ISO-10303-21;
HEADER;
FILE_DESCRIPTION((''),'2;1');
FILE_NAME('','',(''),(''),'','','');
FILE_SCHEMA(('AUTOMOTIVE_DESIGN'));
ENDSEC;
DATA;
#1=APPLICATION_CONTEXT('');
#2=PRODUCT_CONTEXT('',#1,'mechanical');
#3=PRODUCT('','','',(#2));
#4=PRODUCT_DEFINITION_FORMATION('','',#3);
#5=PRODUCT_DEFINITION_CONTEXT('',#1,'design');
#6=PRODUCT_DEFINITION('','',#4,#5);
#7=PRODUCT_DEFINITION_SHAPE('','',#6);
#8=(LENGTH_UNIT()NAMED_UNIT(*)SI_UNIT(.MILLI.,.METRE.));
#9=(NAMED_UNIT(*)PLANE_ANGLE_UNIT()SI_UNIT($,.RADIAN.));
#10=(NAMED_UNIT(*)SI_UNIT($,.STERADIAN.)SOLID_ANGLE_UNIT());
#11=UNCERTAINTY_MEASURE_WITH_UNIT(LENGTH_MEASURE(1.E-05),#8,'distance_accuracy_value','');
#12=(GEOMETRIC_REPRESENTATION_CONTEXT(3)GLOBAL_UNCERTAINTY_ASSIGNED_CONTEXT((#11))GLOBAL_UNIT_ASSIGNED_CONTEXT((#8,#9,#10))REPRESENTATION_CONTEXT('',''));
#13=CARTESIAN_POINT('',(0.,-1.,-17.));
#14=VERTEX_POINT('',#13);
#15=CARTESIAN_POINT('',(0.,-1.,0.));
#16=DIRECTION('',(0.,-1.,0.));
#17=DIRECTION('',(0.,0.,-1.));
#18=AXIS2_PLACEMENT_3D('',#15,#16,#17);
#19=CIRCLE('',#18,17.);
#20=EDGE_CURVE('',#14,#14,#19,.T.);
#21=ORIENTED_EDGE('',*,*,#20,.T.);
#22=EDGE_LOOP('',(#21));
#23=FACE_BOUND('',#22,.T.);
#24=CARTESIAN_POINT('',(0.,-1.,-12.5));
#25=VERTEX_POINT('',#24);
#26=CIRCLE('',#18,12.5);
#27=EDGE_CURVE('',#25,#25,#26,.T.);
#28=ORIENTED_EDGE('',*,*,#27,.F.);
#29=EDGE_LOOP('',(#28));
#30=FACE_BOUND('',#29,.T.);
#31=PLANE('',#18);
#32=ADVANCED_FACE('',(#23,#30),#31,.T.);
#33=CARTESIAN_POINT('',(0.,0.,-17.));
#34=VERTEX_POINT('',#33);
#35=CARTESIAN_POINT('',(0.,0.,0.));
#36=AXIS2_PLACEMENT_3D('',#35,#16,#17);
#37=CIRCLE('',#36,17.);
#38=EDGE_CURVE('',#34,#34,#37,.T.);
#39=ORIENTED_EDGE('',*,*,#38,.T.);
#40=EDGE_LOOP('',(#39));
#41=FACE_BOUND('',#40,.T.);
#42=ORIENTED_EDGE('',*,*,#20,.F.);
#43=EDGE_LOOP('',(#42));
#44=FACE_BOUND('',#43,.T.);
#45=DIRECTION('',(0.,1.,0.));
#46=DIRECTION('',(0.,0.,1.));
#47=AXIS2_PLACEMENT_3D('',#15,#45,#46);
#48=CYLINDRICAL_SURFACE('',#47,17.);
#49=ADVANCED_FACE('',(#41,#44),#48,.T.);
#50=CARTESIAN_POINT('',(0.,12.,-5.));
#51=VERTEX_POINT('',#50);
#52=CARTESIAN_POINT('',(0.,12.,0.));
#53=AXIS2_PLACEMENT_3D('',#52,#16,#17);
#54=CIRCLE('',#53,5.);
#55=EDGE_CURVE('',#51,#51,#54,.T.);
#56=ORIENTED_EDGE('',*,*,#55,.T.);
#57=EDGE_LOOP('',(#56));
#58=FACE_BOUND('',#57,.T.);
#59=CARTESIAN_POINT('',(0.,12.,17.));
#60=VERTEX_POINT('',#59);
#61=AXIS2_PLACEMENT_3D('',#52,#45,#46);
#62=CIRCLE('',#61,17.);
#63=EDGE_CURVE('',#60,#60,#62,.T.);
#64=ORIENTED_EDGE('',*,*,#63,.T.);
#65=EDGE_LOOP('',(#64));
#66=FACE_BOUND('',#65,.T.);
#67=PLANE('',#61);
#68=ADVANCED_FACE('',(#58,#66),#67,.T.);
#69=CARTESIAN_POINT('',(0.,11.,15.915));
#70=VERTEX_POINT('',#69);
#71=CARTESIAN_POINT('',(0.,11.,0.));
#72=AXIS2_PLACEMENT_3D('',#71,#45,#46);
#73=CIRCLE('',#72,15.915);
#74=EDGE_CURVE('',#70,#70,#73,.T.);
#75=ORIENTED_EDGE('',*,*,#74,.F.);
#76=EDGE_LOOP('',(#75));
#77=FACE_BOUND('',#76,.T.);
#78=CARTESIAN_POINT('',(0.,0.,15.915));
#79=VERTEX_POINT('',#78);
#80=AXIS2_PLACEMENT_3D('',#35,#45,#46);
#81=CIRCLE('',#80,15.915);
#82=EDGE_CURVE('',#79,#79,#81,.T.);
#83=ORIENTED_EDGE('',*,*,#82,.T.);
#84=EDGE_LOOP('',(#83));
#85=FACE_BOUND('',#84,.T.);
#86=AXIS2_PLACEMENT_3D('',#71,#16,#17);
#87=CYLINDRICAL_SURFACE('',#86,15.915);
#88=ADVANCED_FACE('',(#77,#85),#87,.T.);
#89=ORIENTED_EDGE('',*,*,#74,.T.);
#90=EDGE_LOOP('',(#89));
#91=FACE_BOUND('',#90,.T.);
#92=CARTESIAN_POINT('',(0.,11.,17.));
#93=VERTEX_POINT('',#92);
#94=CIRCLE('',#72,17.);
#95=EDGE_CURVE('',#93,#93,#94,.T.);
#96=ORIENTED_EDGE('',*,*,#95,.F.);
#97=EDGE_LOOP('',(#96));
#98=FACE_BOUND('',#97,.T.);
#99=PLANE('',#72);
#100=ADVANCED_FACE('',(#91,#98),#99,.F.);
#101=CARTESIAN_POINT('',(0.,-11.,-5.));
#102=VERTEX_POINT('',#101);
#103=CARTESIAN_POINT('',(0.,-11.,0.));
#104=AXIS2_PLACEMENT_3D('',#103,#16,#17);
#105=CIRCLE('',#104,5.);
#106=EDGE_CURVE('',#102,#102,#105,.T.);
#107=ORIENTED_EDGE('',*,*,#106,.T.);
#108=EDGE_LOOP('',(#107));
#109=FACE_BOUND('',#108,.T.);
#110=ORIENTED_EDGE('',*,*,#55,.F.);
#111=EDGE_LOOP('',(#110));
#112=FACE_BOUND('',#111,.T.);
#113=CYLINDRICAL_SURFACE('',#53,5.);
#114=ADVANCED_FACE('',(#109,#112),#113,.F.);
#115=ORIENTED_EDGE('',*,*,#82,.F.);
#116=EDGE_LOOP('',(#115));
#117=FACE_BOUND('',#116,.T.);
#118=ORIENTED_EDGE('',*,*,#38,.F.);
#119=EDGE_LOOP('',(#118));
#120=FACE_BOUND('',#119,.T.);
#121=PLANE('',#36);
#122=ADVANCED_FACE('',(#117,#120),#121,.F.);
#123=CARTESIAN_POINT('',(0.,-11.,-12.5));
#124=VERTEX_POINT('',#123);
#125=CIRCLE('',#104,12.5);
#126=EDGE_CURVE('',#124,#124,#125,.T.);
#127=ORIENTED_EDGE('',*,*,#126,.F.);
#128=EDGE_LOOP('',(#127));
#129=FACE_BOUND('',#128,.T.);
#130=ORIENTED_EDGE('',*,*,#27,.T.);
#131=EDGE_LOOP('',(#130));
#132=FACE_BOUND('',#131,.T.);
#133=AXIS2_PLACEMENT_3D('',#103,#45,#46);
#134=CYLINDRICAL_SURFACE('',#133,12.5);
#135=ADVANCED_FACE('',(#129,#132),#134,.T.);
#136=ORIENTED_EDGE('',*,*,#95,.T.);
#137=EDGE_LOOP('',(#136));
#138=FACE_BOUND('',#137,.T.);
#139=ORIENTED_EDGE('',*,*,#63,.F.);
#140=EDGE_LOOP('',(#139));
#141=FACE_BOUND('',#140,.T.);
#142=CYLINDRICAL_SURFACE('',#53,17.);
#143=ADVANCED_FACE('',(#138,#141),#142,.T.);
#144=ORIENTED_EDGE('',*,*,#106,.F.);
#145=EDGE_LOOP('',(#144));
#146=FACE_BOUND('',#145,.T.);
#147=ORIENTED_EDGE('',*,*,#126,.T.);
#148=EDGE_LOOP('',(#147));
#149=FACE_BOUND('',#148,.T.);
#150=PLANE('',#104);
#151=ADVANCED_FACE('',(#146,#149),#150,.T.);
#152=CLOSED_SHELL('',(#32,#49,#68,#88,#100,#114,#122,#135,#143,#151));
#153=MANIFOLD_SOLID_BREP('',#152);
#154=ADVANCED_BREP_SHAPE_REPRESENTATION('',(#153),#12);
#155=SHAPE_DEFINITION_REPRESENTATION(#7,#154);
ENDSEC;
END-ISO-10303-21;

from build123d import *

# Parameters (mm, degrees)
SKETCH_1_R          = 15.915
EXTRUDE_1_DEPTH     = 11
SKETCH_2_R          = 17
EXTRUDE_2_DEPTH     = 1
EXTRUDE_START       = 1
SKETCH_3_R          = 17
EXTRUDE_3_DEPTH     = 1
SKETCH_4_R          = 5
CUT_EXTRUDE_1_DEPTH = 28.331300737
EXTRUDE_START_2     = 10
SKETCH_5_R          = 12.5
SKETCH_5_R_2        = 5
EXTRUDE_4_DEPTH     = 10


with BuildPart() as part:
    # 草图1 → 凸台-拉伸1 (new body)
    with BuildSketch(Plane(origin=(0, 0, 0), x_dir=(1, 0, 0), z_dir=(0, 1, 0))):
        with Locations(Location((0, 0, 0), (0, 0, 270))):
            Circle(SKETCH_1_R)
    extrude(amount=EXTRUDE_1_DEPTH)

    # 草图2 → 凸台-拉伸2 (add)
    with BuildSketch(Plane(origin=(0, 11, 0), x_dir=(1, 0, 0), z_dir=(0, 1, 0))):
        with Locations(Location((0, 0, 0), (0, 0, 270))):
            Circle(SKETCH_2_R)
    extrude(amount=EXTRUDE_2_DEPTH)

    # 草图3 → 凸台-拉伸3 (add)
    with BuildSketch(Plane.XZ.offset(EXTRUDE_START)):
        with Locations(Location((0, 0, 0), (0, 0, 90))):
            Circle(SKETCH_3_R)
    extrude(amount=-EXTRUDE_3_DEPTH)

    # 草图4 → 切除-拉伸1 (cut, through all)
    with BuildSketch(Plane.XZ.offset(1)):
        with Locations(Location((0, 0, 0), (0, 0, 270))):
            Circle(SKETCH_4_R)
    extrude(amount=-CUT_EXTRUDE_1_DEPTH, mode=Mode.SUBTRACT)

    # 草图5 → 凸台-拉伸4 (add)
    with BuildSketch(Plane.XZ.offset(1).offset(EXTRUDE_START_2)):
        with Locations(Location((0, 0, 0), (0, 0, 270))):
            Circle(SKETCH_5_R)
        with Locations(Location((0, 0, 0), (0, 0, 270))):
            Circle(SKETCH_5_R_2, mode=Mode.SUBTRACT)
    extrude(amount=-EXTRUDE_4_DEPTH)


solid = part.part
